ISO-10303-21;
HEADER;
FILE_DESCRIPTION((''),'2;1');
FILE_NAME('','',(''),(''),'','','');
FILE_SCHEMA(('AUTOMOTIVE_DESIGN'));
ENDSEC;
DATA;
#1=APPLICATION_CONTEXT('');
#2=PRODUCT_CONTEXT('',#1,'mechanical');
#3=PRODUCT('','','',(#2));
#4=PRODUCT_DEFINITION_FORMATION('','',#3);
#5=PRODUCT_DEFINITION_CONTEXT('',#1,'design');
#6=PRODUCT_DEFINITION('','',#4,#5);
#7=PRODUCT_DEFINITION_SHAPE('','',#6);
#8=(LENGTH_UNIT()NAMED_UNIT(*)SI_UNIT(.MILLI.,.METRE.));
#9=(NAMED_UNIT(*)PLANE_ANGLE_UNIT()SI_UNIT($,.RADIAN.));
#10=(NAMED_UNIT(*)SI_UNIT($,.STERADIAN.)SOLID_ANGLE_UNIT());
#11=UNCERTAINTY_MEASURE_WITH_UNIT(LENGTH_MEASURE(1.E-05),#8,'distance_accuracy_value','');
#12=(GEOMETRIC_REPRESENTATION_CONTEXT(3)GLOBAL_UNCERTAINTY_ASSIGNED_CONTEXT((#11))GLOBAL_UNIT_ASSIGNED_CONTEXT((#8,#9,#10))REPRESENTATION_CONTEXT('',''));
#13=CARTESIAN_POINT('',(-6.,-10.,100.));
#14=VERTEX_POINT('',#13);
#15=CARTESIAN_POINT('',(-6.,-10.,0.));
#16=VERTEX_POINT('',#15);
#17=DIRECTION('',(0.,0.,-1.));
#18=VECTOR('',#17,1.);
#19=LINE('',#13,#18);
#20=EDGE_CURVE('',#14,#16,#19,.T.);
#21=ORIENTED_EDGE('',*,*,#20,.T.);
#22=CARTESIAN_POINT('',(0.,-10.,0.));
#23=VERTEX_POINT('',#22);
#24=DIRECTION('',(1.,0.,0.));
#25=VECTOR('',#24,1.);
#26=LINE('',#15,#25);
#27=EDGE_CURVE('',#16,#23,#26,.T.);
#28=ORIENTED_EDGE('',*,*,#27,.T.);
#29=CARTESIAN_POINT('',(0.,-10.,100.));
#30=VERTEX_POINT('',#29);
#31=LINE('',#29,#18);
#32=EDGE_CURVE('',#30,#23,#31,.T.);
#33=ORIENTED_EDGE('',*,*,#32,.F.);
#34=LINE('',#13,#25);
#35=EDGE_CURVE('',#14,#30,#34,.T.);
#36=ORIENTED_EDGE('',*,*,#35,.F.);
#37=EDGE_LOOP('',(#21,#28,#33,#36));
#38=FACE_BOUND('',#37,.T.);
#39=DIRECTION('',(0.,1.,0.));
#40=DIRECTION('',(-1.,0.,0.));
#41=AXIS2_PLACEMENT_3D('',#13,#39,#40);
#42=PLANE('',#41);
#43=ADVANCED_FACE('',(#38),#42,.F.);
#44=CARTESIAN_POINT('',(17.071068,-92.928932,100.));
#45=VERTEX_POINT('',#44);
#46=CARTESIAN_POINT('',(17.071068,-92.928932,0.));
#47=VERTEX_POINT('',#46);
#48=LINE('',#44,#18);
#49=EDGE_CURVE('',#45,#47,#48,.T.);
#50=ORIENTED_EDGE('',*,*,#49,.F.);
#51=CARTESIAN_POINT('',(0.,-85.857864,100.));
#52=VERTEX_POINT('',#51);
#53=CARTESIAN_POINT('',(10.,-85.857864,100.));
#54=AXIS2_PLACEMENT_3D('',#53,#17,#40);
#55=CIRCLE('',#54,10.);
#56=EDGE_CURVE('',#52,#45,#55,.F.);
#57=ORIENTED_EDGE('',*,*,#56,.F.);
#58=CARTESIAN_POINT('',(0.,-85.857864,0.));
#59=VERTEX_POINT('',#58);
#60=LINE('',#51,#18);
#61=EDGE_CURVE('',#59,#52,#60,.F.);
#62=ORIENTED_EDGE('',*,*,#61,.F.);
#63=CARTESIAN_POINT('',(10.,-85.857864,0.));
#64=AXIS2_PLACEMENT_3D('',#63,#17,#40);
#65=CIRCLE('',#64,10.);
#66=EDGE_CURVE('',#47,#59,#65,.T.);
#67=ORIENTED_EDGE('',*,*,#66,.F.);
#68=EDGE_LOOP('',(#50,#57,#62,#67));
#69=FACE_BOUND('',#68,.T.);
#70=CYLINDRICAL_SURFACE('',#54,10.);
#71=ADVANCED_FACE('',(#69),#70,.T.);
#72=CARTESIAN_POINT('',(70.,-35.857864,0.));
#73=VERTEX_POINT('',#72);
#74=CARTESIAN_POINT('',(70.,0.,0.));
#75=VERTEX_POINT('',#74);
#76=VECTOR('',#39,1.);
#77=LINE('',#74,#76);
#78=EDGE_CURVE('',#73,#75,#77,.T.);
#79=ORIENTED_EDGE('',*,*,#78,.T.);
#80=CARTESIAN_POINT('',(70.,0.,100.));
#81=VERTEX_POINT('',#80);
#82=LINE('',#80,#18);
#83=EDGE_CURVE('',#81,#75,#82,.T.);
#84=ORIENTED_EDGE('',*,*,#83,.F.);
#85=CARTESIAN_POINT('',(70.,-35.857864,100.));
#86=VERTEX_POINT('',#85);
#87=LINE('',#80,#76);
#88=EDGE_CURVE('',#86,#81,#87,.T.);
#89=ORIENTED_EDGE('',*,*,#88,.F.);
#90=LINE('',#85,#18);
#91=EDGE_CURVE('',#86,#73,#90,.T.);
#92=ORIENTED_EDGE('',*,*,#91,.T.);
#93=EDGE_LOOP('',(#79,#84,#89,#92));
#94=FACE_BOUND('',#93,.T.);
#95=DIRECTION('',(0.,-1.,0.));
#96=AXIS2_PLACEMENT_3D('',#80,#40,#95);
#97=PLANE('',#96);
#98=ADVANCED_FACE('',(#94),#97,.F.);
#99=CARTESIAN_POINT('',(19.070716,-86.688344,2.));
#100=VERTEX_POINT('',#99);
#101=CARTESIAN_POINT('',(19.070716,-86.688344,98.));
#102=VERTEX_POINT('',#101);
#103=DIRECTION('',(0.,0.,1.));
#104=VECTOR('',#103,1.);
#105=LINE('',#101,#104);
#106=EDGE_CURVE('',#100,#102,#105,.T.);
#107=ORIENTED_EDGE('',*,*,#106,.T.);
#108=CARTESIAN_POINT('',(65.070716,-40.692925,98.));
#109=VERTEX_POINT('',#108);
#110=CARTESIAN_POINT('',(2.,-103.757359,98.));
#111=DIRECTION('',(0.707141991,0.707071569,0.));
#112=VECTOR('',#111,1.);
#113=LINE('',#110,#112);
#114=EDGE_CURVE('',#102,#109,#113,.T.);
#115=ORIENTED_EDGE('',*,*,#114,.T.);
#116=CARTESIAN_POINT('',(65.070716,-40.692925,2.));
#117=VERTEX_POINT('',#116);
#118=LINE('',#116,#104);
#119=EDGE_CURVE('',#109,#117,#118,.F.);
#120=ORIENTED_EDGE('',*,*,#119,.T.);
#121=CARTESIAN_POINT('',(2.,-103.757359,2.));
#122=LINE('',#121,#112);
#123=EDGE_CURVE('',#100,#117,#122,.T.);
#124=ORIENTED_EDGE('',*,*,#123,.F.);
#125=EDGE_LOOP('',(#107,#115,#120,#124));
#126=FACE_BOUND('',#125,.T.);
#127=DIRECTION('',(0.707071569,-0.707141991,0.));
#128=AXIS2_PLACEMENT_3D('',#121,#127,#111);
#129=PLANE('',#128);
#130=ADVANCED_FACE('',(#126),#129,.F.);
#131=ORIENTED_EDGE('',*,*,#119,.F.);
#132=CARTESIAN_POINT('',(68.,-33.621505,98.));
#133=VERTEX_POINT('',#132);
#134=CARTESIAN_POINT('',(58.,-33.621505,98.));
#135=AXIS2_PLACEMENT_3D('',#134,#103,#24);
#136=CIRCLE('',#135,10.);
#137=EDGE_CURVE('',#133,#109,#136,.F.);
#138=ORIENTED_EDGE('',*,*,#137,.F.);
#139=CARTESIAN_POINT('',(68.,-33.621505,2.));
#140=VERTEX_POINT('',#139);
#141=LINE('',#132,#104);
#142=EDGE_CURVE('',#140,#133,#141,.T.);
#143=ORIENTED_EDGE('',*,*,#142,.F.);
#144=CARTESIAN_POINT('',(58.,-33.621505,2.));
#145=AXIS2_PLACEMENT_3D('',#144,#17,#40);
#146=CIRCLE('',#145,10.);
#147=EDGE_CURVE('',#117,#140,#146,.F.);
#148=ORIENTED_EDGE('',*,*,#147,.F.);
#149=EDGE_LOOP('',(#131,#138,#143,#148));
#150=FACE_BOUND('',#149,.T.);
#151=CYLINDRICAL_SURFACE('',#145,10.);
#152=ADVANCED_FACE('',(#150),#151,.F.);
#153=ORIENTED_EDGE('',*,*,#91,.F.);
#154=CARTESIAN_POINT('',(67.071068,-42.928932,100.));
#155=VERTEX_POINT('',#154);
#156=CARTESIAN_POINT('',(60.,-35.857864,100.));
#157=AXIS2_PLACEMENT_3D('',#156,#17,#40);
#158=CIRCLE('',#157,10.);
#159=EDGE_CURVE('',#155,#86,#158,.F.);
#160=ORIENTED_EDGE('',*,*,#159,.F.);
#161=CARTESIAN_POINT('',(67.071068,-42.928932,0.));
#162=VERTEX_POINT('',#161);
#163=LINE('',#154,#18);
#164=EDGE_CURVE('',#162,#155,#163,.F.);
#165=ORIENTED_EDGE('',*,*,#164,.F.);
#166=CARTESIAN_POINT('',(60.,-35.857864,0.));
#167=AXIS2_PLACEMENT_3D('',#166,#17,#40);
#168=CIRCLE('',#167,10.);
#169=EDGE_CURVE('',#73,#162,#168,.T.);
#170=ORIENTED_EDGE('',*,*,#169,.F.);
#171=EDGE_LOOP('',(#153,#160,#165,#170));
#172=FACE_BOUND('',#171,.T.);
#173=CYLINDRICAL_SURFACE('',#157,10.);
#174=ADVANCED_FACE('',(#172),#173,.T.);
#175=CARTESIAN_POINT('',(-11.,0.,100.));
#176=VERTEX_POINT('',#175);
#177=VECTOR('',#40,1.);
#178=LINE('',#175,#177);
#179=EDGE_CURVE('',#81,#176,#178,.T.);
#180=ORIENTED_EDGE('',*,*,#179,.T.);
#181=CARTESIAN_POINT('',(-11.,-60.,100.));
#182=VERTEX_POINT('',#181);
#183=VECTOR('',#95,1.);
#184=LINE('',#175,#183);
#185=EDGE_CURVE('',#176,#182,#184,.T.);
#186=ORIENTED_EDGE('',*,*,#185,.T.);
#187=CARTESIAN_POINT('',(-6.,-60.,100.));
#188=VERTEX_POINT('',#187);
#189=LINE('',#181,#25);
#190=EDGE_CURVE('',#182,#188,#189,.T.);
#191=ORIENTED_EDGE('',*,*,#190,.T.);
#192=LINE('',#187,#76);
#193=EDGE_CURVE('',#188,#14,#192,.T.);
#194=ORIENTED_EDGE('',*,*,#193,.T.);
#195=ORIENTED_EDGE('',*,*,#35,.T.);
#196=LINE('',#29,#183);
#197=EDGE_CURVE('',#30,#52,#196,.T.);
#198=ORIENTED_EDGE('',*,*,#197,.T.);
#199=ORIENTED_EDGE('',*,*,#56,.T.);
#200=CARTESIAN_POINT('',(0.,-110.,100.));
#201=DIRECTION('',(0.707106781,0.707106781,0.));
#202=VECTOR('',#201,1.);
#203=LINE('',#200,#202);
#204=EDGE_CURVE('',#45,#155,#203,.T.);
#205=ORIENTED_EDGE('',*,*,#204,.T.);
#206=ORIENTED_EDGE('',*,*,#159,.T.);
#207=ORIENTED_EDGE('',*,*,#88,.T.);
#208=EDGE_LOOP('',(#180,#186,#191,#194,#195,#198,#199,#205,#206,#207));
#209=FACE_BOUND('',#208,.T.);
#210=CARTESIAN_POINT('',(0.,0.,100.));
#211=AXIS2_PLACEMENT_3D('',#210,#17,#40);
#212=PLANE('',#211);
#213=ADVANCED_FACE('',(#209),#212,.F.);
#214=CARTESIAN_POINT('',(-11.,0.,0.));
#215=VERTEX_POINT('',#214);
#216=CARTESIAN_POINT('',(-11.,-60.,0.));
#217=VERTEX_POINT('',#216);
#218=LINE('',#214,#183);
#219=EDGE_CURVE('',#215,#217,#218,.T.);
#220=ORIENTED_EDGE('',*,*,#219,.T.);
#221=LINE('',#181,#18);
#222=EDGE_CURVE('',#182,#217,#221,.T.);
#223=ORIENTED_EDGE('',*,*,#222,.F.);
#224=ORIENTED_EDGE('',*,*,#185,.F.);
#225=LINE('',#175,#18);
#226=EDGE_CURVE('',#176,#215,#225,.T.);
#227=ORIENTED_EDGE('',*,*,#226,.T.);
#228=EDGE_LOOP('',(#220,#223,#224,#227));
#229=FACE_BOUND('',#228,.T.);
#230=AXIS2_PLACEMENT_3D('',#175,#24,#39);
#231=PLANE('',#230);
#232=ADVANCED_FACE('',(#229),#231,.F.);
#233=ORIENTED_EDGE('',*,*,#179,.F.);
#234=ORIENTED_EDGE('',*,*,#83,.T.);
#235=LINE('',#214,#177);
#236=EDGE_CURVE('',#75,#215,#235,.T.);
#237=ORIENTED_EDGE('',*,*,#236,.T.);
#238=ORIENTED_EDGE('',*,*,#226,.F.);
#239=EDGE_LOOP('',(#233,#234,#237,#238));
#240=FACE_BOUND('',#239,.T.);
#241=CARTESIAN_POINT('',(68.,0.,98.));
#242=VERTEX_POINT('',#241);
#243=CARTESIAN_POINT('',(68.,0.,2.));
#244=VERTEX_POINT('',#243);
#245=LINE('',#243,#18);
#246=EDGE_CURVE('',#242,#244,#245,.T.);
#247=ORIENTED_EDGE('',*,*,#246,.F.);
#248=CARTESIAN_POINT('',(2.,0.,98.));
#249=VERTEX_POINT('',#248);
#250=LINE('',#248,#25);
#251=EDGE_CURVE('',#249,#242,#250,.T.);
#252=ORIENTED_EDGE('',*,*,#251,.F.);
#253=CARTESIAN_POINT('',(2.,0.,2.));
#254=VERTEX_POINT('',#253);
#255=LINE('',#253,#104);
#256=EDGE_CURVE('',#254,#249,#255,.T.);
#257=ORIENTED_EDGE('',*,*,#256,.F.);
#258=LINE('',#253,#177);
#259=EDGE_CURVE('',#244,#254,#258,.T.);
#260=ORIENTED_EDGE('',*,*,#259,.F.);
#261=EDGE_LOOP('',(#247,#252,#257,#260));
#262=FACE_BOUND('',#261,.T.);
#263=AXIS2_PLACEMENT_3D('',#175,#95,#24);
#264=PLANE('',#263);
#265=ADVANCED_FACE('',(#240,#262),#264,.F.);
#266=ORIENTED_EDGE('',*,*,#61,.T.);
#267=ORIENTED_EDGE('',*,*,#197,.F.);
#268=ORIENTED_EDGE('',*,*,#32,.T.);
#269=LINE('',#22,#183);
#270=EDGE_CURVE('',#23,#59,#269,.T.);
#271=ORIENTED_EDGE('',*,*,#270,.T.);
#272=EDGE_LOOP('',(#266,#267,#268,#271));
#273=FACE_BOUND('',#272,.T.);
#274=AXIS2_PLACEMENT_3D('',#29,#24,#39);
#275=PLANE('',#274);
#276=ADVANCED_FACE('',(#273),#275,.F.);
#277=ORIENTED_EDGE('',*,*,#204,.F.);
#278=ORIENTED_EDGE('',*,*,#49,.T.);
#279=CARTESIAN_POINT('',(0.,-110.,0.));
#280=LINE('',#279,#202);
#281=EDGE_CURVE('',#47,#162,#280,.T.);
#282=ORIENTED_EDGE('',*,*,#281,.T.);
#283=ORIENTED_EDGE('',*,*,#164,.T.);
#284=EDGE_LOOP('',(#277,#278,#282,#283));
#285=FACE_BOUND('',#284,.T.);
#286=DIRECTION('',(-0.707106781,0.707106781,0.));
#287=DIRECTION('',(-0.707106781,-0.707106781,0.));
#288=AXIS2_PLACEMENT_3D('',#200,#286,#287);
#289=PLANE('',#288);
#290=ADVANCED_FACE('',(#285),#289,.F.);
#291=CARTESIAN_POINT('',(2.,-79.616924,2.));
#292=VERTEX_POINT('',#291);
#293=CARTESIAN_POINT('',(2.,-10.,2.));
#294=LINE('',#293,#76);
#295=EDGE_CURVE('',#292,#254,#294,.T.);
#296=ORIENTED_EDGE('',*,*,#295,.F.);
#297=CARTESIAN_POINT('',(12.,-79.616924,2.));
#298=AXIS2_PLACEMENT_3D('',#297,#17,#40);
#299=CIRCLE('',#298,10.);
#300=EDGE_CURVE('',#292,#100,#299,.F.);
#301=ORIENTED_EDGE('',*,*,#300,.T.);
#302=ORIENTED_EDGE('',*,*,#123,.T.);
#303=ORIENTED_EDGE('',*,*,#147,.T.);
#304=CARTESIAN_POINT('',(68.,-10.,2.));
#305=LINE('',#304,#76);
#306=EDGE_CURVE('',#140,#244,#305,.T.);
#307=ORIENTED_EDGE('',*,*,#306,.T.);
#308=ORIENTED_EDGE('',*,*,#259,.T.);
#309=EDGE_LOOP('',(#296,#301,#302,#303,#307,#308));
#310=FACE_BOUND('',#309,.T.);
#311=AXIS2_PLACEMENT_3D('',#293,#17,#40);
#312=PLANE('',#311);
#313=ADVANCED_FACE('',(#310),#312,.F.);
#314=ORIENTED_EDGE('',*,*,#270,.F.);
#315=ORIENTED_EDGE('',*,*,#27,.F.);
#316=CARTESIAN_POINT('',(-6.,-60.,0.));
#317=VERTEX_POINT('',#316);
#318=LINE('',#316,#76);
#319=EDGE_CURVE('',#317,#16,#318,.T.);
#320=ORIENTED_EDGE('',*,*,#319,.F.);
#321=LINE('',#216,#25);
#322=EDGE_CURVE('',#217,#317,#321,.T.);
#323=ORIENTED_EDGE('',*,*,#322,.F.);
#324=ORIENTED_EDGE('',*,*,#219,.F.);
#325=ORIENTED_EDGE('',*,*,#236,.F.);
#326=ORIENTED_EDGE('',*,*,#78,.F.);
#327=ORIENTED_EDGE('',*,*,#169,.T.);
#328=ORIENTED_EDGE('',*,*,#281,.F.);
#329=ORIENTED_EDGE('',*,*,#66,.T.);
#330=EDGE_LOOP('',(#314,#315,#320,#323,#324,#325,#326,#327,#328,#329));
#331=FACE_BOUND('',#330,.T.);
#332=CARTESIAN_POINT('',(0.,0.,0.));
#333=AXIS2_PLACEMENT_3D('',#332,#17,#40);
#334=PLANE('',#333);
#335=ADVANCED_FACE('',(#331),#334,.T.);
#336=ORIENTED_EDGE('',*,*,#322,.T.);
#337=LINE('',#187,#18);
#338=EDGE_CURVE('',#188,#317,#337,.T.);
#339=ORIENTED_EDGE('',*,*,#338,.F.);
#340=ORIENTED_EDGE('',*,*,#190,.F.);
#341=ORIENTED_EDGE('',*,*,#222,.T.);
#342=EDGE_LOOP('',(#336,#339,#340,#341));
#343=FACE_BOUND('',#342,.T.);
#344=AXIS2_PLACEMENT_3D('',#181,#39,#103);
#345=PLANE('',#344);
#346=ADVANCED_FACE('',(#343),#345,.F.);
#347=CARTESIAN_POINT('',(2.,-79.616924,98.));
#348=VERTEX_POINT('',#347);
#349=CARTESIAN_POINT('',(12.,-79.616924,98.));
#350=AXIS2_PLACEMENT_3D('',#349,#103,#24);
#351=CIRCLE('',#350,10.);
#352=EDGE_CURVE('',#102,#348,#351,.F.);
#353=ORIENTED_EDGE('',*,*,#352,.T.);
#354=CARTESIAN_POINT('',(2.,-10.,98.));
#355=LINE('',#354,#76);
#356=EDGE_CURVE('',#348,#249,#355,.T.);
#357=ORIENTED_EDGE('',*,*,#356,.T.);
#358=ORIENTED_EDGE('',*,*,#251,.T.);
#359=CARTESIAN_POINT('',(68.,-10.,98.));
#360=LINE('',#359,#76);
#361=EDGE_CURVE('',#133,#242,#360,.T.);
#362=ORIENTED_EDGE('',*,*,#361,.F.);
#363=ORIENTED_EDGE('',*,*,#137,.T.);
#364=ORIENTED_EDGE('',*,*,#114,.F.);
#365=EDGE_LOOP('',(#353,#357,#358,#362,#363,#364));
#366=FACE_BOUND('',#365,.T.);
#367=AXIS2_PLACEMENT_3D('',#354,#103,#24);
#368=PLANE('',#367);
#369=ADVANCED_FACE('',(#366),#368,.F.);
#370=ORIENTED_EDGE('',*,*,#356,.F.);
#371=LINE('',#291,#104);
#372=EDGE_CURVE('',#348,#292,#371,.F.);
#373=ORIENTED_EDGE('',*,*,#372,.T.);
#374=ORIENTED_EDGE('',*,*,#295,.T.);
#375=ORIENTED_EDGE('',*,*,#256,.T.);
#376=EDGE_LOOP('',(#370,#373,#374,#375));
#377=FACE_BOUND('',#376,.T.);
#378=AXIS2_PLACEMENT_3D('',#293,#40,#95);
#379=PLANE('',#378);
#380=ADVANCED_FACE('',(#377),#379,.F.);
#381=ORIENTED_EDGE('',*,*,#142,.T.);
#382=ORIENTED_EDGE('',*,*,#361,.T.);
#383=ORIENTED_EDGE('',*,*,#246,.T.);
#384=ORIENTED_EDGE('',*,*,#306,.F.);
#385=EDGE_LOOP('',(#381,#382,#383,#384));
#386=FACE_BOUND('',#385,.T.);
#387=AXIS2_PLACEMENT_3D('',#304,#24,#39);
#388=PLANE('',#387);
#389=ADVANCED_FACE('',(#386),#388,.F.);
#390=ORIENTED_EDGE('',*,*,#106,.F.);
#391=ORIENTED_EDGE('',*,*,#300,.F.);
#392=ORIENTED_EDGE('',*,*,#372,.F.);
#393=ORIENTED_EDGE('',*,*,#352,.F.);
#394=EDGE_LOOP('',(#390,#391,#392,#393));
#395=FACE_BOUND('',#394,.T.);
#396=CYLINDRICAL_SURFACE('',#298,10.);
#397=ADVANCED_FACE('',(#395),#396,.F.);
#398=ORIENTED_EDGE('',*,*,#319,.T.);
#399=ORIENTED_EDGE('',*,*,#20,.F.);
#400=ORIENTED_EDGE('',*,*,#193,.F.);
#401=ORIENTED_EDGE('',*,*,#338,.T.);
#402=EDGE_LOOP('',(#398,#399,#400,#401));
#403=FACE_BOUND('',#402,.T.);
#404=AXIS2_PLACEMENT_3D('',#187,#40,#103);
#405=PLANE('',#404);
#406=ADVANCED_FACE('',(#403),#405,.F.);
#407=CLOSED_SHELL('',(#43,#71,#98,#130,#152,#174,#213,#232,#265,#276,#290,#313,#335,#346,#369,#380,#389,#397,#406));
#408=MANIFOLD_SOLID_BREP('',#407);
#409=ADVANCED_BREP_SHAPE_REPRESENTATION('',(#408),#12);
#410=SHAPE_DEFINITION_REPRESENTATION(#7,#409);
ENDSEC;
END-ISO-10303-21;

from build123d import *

# Parameters (mm, degrees)
BOSS_EXTRUDE2_DEPTH = 100
SKETCH2_W           = 66
SKETCH2_H           = 96
CUT_EXTRUDE5_DEPTH  = 10
CUT_EXTRUDE6_DEPTH  = 96
FILLET6_R           = 10


with BuildPart() as part:
    # Sketch1 → Boss-Extrude2 (new body)
    with BuildSketch(Plane.XY):
        Polygon((-11, 0), (-11, -60), (-6, -60), (-6, -10), (0, -10), (0, -110), (70, -40), (70, 0), align=None)
    extrude(amount=BOSS_EXTRUDE2_DEPTH)

    # Sketch2 → Cut-Extrude5 (cut)
    with BuildSketch(Plane(origin=(0, 0, 0), x_dir=(1, 0, 0), z_dir=(0, 1, 0))):
        with Locations((35, -50)):
            Rectangle(SKETCH2_W, SKETCH2_H)
    extrude(amount=-CUT_EXTRUDE5_DEPTH, mode=Mode.SUBTRACT)

    # Sketch5 → Cut-Extrude6 (cut)
    with BuildSketch(Plane(origin=(2, 0, 98), x_dir=(1, 0, 0), z_dir=(0, 0, 1))):
        Polygon((0, 0), (0, -103.757359313), (66, -37.763932022), (66, 0), align=None)
    extrude(amount=-CUT_EXTRUDE6_DEPTH, mode=Mode.SUBTRACT)

    # Fillet6
    fillet6_edges = [part.edges().sort_by_distance(p)[0] for p in [
        (70, -40, 50),
        (0, -110, 50),
        (68, -37.763932022, 50),
        (2, -103.757359313, 50),
    ]]
    fillet(fillet6_edges, radius=FILLET6_R)


solid = part.part
